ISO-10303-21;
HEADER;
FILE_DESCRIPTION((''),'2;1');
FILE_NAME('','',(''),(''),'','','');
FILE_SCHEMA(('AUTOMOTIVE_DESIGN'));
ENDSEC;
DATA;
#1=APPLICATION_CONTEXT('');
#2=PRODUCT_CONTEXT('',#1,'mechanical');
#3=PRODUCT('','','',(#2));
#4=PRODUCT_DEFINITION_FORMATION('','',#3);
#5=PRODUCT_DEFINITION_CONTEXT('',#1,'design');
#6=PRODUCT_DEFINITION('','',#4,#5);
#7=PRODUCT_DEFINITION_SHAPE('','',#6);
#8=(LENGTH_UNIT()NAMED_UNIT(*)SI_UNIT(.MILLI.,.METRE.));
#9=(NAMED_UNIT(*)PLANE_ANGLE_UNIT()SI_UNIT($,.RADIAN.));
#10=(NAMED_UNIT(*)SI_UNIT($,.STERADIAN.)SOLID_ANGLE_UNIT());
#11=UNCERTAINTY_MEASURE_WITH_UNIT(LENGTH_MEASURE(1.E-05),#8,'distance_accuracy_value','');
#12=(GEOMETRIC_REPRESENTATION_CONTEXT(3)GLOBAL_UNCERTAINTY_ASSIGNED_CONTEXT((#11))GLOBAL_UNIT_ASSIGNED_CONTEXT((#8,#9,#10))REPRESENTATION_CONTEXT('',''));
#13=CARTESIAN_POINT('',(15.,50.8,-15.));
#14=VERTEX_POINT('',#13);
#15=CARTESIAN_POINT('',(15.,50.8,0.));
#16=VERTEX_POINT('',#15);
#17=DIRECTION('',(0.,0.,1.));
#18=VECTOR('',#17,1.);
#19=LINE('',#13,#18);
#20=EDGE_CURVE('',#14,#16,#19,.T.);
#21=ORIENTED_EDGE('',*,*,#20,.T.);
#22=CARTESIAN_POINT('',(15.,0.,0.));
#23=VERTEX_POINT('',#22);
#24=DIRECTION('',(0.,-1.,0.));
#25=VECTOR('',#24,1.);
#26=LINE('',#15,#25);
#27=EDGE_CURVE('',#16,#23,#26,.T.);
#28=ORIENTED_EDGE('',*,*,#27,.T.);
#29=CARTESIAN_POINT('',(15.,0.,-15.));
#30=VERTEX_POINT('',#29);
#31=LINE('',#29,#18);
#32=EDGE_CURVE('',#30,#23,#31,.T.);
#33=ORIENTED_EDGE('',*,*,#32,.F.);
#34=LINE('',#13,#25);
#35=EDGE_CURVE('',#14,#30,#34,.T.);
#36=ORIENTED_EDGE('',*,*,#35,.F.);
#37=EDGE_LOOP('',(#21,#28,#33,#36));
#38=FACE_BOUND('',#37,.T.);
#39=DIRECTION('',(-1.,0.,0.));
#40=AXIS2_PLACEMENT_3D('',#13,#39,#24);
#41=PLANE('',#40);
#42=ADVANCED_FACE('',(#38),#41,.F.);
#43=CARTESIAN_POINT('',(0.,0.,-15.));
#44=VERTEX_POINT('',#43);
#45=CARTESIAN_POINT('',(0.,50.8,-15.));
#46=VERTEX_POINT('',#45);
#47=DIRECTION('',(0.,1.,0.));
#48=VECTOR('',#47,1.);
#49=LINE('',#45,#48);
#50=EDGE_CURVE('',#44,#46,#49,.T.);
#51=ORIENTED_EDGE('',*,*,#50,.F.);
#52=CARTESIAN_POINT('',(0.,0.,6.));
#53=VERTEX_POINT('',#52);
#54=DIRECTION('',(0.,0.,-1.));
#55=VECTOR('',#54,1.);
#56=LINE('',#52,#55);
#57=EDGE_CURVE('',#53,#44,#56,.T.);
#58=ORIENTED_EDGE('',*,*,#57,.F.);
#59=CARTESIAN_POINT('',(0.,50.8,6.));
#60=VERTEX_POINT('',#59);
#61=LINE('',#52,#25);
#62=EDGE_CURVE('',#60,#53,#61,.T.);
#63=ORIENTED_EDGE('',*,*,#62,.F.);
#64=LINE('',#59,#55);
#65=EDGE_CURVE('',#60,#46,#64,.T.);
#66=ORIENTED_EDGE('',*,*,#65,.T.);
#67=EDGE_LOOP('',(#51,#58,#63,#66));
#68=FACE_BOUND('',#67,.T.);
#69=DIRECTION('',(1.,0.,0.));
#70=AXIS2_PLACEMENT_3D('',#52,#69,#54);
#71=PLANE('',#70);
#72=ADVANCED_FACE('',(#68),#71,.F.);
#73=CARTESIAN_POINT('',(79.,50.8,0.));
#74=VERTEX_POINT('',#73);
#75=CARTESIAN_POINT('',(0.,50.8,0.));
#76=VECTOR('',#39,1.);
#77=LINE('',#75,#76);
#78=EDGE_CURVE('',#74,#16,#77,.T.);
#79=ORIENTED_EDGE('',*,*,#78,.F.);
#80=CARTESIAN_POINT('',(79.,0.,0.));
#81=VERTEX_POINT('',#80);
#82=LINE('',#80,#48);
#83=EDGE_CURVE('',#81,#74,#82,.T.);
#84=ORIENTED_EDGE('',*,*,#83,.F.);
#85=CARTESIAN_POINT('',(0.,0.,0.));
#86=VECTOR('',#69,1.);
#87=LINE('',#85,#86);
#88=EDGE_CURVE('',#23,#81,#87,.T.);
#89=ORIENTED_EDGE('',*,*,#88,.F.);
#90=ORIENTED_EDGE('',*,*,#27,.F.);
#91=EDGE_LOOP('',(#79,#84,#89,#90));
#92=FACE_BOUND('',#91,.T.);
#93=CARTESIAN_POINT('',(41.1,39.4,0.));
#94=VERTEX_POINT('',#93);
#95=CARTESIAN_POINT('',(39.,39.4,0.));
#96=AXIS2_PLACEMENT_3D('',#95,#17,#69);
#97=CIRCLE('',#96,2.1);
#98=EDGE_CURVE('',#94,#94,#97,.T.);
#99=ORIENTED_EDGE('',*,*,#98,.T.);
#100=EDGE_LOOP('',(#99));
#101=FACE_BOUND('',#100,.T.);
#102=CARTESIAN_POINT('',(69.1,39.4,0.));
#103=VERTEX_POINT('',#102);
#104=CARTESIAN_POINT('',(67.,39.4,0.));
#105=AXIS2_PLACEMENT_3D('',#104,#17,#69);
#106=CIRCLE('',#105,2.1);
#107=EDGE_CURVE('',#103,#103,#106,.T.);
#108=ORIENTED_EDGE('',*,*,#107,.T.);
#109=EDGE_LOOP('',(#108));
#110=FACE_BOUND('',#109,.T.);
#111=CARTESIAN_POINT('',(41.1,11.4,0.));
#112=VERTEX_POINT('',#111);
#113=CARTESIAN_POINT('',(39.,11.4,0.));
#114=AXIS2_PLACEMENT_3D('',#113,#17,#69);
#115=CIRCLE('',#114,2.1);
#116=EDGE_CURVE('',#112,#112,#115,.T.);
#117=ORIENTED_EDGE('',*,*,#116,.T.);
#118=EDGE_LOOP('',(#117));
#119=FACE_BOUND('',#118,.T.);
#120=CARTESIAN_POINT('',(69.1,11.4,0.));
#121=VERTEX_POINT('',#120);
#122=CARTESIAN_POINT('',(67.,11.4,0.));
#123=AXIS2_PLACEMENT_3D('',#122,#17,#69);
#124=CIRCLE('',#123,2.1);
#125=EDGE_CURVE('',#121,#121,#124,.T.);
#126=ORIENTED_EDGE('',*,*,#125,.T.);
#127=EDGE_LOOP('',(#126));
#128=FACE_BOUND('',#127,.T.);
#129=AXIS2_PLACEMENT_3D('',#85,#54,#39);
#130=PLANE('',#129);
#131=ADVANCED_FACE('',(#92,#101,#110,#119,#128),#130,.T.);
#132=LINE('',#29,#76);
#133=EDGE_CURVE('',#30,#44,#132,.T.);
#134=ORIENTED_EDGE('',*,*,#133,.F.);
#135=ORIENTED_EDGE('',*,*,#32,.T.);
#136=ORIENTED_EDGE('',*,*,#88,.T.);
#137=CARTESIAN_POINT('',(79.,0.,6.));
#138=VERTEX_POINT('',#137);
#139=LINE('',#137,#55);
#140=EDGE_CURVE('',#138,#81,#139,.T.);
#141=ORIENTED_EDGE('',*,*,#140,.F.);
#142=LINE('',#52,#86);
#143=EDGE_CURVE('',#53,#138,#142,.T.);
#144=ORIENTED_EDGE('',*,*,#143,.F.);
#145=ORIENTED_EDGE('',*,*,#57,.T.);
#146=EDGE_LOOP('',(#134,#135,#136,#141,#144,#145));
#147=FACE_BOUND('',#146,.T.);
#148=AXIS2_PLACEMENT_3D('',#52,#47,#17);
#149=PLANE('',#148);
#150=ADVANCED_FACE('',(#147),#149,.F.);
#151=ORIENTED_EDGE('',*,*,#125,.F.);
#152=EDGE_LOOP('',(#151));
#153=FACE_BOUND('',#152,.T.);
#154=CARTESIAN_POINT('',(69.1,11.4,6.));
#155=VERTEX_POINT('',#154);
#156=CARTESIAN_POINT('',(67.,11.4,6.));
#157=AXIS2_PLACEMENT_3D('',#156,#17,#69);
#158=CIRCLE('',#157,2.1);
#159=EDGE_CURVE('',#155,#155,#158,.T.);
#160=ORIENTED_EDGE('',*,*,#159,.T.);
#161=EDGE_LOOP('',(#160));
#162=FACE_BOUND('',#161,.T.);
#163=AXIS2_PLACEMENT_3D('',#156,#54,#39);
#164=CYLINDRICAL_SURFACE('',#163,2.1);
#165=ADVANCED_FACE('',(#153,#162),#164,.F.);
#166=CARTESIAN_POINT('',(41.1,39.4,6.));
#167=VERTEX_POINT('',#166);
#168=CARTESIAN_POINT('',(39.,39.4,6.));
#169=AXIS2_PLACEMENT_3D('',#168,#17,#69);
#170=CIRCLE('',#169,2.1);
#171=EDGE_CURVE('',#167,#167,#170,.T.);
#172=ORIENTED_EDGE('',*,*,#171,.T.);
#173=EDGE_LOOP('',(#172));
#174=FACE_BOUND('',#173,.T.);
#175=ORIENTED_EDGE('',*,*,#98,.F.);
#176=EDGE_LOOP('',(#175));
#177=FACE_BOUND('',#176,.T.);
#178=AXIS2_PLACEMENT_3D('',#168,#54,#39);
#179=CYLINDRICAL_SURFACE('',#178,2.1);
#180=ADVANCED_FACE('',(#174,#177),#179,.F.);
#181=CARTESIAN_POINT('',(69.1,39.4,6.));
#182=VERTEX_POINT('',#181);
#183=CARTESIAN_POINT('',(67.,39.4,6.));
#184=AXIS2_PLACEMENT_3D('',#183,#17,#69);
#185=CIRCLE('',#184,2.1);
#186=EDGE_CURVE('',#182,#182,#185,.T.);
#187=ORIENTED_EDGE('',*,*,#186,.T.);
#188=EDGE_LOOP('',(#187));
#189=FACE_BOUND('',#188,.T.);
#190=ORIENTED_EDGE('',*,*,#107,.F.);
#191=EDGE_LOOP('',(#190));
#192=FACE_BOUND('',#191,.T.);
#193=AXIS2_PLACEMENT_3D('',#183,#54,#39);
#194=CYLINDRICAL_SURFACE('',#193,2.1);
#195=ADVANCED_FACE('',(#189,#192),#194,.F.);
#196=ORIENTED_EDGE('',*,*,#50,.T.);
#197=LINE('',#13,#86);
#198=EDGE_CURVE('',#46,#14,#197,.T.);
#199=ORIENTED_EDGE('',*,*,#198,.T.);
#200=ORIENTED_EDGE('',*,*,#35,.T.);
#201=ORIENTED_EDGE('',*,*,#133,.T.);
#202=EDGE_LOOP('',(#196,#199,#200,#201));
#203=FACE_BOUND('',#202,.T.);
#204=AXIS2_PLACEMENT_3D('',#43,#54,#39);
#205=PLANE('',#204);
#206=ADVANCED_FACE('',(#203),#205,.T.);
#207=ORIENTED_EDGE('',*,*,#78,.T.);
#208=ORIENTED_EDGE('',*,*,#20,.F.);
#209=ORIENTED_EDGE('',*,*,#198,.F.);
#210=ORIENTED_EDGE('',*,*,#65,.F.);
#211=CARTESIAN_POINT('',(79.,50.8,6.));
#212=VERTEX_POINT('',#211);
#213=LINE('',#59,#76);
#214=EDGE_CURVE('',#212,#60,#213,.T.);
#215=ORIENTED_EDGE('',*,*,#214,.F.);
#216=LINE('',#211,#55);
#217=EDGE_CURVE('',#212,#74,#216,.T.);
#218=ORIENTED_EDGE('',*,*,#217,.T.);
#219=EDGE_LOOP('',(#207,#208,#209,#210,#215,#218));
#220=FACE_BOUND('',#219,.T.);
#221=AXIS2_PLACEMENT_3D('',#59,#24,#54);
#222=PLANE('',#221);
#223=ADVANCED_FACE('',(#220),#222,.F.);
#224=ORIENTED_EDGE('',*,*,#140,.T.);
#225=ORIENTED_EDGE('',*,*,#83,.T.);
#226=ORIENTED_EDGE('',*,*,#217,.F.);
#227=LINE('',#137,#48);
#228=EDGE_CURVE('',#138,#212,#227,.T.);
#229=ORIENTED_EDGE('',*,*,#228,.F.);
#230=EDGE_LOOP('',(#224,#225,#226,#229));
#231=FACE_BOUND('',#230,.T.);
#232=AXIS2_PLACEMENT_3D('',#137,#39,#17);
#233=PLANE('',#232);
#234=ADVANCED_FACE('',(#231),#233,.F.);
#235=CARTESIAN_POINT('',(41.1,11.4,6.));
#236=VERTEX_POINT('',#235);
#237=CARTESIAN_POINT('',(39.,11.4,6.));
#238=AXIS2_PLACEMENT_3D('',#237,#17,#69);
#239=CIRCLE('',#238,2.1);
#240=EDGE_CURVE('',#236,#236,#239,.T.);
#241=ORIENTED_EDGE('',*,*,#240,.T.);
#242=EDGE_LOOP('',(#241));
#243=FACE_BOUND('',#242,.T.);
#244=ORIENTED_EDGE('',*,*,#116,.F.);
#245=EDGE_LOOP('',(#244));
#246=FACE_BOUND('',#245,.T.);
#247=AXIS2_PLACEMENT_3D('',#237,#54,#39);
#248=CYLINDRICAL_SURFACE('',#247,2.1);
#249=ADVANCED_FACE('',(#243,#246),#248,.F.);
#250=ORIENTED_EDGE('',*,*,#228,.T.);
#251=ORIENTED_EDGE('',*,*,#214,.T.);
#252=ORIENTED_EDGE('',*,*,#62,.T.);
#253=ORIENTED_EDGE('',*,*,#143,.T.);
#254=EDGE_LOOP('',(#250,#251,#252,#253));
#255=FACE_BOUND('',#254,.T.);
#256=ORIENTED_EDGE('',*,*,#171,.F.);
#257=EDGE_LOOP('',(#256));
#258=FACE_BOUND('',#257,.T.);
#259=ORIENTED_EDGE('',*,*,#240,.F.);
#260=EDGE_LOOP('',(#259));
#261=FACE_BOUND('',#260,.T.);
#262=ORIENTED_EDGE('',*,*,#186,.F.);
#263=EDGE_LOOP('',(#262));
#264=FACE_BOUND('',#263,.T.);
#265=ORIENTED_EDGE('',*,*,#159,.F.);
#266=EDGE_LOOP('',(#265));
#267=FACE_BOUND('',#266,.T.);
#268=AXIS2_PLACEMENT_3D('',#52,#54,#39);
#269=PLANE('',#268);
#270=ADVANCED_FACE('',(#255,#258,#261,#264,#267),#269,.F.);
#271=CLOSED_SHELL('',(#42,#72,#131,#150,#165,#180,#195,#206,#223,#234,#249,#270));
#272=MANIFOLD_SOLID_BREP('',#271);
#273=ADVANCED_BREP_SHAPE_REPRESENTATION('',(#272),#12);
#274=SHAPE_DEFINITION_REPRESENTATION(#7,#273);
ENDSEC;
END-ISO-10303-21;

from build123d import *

# Parameters (mm, degrees)
SKETCH1_W           = 79
SKETCH1_H           = 50.8
SKETCH1_R           = 2.1
BOSS_EXTRUDE1_DEPTH = 6
SKETCH3_W           = 15
SKETCH3_H           = 50.8
BOSS_EXTRUDE2_DEPTH = 15


with BuildPart() as part:
    # Sketch1 → Boss-Extrude1 (new body)
    with BuildSketch(Plane.XY):
        with Locations((39.5, 25.4)):
            Rectangle(SKETCH1_W, SKETCH1_H)
        with Locations((67, 39.4)):
            Circle(SKETCH1_R, mode=Mode.SUBTRACT)
        with Locations((67, 11.4)):
            Circle(SKETCH1_R, mode=Mode.SUBTRACT)
        with Locations((39, 39.4)):
            Circle(SKETCH1_R, mode=Mode.SUBTRACT)
        with Locations((39, 11.4)):
            Circle(SKETCH1_R, mode=Mode.SUBTRACT)
    extrude(amount=BOSS_EXTRUDE1_DEPTH)

    # Sketch3 → Boss-Extrude2 (add)
    with BuildSketch(Plane(origin=(0, 0, 0), x_dir=(-1, 0, 0), z_dir=(0, 0, -1))):
        with Locations((-7.5, 25.4)):
            Rectangle(SKETCH3_W, SKETCH3_H)
    extrude(amount=BOSS_EXTRUDE2_DEPTH)


solid = part.part
